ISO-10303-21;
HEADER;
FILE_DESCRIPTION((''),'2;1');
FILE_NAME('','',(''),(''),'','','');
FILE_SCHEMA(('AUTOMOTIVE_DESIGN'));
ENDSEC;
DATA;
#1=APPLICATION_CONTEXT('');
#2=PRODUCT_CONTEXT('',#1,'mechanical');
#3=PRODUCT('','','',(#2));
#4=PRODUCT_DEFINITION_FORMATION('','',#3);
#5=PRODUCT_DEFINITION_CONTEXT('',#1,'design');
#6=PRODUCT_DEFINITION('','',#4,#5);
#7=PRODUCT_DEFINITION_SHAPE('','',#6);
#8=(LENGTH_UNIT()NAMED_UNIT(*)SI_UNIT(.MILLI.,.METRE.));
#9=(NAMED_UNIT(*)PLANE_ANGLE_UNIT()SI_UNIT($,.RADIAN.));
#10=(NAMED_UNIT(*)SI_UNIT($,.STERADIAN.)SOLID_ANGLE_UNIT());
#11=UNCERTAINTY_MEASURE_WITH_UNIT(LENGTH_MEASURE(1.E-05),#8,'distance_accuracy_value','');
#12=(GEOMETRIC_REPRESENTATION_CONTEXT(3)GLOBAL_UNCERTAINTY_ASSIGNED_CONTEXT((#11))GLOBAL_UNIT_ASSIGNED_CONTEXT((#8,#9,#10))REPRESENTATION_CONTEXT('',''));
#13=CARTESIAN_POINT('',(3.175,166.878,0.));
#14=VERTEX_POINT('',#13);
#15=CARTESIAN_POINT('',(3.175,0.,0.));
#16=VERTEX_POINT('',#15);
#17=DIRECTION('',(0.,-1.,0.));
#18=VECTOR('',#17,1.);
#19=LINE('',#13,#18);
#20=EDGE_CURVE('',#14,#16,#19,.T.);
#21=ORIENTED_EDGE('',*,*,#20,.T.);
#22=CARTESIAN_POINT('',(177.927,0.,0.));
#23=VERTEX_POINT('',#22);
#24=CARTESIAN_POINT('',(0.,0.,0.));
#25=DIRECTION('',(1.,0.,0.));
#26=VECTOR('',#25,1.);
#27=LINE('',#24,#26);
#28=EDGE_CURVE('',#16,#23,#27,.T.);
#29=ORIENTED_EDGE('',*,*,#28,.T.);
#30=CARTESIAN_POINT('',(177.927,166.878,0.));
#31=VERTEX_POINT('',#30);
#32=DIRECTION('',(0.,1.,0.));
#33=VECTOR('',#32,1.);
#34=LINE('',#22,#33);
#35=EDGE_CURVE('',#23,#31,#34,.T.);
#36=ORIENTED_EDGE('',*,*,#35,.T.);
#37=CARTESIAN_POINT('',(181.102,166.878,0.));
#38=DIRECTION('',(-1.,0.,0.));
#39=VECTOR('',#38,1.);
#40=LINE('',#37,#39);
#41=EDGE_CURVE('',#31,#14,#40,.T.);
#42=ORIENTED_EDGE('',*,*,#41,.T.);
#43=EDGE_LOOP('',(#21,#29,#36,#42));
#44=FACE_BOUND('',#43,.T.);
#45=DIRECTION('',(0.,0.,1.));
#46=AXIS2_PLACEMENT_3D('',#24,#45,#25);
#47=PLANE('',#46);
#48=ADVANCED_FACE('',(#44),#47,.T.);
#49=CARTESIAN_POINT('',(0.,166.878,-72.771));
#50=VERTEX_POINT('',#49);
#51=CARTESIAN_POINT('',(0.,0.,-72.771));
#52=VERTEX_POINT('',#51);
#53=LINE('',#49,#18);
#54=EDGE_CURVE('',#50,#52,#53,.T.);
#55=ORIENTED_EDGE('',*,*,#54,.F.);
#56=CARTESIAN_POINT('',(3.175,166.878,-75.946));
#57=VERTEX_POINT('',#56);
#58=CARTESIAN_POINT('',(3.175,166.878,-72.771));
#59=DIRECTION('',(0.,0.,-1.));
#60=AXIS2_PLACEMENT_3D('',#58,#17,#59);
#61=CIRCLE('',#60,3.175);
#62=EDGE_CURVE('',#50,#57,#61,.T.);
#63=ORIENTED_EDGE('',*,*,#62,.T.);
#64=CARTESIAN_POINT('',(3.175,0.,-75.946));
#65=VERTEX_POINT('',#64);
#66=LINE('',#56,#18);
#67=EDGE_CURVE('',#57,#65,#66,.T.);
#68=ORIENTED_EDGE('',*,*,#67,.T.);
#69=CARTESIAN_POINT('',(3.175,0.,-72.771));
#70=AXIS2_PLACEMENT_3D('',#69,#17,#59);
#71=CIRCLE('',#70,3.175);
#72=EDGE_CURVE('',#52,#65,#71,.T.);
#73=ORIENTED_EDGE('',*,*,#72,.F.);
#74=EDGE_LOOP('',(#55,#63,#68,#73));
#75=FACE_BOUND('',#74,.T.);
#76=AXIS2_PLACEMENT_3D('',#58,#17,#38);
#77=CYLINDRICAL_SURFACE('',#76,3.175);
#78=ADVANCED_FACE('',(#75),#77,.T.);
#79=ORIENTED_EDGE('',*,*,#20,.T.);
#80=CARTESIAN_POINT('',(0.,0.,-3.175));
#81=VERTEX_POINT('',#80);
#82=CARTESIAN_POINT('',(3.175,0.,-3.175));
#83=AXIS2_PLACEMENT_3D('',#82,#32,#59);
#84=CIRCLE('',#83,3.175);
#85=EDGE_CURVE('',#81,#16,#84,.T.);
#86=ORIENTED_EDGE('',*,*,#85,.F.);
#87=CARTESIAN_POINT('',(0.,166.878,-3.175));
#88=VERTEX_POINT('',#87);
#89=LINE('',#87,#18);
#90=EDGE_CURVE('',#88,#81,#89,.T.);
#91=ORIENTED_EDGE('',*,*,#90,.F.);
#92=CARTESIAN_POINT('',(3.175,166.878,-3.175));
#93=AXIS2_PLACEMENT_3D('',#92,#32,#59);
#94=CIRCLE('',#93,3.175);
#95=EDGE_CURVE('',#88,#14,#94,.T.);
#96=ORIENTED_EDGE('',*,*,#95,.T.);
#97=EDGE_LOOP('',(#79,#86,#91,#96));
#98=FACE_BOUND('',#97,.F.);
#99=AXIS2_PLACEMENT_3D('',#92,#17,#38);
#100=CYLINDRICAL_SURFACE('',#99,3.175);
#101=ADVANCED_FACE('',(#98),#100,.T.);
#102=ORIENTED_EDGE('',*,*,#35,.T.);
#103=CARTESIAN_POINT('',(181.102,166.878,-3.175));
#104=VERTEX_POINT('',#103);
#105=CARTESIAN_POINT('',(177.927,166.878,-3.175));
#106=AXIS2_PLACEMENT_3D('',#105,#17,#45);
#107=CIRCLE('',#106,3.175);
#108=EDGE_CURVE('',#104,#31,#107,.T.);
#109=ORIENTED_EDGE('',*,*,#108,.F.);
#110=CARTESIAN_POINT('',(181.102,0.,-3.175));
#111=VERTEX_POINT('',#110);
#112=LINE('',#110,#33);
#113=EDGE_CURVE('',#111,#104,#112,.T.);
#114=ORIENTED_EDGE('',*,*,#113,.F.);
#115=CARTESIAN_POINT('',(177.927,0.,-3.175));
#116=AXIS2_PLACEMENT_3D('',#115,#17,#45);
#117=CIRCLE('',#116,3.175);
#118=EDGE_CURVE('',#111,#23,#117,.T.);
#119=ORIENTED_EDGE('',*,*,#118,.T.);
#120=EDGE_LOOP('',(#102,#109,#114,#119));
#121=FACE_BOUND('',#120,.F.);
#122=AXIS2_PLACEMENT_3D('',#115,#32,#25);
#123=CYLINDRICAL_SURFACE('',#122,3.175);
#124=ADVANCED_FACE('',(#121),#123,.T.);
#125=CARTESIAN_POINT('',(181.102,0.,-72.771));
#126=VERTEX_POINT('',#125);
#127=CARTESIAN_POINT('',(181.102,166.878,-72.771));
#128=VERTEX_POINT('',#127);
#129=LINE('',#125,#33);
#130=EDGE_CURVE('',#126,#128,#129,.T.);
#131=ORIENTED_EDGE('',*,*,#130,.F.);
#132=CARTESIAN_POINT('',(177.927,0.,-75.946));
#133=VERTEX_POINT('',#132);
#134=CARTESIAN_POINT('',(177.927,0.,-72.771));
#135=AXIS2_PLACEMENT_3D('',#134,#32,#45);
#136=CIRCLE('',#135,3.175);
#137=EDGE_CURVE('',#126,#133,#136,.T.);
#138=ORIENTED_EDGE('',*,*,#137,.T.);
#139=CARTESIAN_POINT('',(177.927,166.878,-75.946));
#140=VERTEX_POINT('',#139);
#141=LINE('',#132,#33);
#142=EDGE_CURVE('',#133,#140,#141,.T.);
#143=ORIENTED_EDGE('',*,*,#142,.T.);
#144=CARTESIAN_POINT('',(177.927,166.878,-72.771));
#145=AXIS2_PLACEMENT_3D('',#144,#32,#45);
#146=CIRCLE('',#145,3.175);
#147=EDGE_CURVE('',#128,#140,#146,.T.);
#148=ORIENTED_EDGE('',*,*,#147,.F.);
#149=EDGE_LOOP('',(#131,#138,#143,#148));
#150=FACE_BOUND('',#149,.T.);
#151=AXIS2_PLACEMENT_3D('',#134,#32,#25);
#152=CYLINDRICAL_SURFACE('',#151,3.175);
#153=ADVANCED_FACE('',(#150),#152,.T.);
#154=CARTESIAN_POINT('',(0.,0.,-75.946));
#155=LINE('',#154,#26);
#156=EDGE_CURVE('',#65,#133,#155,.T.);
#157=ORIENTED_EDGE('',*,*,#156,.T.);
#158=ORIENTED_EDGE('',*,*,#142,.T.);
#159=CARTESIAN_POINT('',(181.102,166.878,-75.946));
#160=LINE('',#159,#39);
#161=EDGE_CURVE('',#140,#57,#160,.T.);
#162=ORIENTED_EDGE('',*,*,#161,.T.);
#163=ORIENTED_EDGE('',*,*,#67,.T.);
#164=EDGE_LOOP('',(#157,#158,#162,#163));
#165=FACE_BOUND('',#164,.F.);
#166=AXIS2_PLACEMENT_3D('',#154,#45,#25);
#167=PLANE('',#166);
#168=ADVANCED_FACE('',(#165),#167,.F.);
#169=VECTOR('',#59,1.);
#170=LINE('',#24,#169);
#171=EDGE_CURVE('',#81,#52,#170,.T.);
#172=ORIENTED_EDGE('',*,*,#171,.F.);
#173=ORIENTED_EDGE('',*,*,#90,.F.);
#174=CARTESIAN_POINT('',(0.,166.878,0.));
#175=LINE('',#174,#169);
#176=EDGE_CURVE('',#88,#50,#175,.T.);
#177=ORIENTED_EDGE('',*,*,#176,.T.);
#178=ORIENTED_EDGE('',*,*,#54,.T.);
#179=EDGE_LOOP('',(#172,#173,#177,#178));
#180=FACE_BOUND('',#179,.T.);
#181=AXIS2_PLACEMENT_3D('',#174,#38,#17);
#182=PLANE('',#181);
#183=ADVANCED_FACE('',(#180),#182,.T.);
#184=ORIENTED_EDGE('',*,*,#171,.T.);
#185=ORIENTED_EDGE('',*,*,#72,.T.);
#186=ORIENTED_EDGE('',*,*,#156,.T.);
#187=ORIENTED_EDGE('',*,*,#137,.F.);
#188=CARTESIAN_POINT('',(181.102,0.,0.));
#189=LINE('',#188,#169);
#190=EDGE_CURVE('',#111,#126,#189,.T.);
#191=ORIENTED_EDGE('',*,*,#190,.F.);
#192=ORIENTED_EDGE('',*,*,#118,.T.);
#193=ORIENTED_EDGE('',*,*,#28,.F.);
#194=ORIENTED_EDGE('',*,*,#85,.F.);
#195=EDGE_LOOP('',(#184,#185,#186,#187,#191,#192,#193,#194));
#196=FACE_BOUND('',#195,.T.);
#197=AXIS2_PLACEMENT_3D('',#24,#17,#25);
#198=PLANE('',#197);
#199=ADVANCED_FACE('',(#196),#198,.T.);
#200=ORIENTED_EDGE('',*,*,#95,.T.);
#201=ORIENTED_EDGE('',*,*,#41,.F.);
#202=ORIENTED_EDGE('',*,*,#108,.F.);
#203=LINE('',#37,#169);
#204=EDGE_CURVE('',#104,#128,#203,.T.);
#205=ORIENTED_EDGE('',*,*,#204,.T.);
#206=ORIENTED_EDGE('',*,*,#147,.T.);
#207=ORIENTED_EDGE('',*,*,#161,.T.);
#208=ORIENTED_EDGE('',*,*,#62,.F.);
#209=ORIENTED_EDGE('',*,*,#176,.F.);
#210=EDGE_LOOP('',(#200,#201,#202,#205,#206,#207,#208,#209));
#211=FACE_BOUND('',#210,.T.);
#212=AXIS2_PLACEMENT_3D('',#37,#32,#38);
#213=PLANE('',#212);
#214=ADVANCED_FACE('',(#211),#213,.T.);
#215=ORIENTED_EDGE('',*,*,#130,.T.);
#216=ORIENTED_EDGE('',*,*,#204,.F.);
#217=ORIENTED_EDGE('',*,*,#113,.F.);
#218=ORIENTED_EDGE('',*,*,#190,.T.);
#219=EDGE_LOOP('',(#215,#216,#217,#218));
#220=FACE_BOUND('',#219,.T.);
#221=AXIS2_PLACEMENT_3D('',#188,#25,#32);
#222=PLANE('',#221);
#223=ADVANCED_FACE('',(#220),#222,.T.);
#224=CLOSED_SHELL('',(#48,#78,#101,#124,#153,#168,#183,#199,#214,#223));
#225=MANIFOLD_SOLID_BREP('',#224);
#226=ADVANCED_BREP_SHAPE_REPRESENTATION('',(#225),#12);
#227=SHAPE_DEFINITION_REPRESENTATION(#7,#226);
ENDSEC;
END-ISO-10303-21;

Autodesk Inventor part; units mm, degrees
ref_plane "YZ Plane" through (0, 0, 0) normal (1, 0, 0) x (0, 1, 0)
ref_plane "XZ Plane" through (0, 0, 0) normal (0, 1, 0) x (-1, 0, 0)
ref_plane "XY Plane" through (0, 0, 0) normal (0, 0, 1) x (1, 0, 0)
sketch "Sketch1" plane through (0, 0, 0) normal (0, 0, 1) x (1, 0, 0)
  line L0 (0, 0) -> (181.102, 0)
  line L1 (181.102, 0) -> (181.102, 166.878)
  line L2 (181.102, 166.878) -> (0, 166.878)
  line L3 (0, 166.878) -> (0, 0)
  dimension "d0" = 181.102
  dimension "d1" = 166.878
extrude "Extrusion1" add sketch "Sketch1" against normal blind 75.946
fillet "Fillet1" radius 3.175 4 edges at (0, 83.439, 0) (181.102, 83.439, 0) (181.102, 83.439, -75.946) (0, 83.439, -75.946)
properties part number "Battery(Raw)"
